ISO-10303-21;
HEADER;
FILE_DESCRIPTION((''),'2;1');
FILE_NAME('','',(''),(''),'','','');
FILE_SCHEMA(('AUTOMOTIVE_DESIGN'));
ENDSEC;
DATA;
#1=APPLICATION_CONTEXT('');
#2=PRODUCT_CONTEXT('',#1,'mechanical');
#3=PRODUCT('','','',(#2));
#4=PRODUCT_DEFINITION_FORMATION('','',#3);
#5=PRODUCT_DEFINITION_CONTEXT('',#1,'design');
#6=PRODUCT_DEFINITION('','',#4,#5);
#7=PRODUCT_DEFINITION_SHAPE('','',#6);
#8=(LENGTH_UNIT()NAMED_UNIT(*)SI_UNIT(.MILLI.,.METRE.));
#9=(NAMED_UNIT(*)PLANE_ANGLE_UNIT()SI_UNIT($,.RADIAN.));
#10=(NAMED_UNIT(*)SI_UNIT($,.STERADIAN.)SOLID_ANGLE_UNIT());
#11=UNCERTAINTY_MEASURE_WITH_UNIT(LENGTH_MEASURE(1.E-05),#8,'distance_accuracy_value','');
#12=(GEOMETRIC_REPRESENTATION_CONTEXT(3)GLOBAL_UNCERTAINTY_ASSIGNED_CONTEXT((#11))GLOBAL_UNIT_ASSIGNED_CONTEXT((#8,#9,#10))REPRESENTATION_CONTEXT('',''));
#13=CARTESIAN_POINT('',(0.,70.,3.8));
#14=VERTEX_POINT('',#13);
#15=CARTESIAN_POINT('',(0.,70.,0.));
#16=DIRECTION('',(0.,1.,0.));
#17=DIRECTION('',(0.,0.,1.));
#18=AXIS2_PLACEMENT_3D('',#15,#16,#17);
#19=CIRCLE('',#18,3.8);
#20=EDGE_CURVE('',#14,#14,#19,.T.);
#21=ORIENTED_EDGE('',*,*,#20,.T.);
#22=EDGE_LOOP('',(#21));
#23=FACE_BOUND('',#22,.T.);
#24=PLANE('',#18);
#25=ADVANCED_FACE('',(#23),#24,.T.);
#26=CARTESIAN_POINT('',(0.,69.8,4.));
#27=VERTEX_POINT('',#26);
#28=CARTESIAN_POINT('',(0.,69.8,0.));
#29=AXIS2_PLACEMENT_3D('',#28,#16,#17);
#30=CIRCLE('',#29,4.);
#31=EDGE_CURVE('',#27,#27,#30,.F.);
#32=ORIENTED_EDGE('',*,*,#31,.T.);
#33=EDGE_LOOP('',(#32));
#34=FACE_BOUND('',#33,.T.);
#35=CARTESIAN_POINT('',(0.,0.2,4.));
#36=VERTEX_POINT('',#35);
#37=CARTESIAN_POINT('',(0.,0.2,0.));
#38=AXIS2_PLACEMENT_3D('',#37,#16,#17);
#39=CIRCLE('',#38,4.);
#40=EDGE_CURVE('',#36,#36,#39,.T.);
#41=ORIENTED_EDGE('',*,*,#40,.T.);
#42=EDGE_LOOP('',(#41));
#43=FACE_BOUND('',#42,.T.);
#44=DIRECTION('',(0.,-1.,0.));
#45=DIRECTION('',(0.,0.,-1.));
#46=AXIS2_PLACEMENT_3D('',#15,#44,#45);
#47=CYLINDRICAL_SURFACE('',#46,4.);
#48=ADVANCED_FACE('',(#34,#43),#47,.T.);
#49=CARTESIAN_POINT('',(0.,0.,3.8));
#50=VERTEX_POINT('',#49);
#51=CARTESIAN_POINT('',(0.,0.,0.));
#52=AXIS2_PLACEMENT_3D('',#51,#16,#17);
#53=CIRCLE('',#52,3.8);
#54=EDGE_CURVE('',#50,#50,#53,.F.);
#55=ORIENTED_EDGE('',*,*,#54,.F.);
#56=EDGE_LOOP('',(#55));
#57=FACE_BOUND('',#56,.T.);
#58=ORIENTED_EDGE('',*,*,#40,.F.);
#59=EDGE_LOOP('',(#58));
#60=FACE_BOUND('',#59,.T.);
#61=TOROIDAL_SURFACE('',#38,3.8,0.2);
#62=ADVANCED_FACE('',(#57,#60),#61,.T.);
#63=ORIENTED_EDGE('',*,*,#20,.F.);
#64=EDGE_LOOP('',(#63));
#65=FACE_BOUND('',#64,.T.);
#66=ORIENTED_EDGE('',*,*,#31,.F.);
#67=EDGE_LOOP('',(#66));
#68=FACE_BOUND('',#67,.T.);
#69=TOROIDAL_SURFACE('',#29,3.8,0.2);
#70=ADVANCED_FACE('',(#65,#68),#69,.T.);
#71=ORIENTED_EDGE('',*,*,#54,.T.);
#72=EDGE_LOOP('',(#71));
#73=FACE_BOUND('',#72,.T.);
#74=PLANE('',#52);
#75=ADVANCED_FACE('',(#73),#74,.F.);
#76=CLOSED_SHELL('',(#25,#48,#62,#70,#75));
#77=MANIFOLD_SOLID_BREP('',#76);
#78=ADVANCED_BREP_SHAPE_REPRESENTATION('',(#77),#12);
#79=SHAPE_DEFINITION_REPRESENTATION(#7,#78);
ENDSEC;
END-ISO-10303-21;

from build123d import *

# Parameters (mm, degrees)
SKETCH1_R           = 4
BOSS_EXTRUDE1_DEPTH = 70
FILLET1_R           = 0.2


with BuildPart() as part:
    # Sketch1 → Boss-Extrude1 (new body)
    with BuildSketch(Plane(origin=(0, 0, 0), x_dir=(1, 0, 0), z_dir=(0, 1, 0))):
        Circle(SKETCH1_R)
    extrude(amount=BOSS_EXTRUDE1_DEPTH)

    # Fillet1
    fillet1_edges = [part.edges().sort_by_distance(p)[0] for p in [
        (-4, 0, 0),
        (-4, 70, 0),
    ]]
    fillet(fillet1_edges, radius=FILLET1_R)


solid = part.part
